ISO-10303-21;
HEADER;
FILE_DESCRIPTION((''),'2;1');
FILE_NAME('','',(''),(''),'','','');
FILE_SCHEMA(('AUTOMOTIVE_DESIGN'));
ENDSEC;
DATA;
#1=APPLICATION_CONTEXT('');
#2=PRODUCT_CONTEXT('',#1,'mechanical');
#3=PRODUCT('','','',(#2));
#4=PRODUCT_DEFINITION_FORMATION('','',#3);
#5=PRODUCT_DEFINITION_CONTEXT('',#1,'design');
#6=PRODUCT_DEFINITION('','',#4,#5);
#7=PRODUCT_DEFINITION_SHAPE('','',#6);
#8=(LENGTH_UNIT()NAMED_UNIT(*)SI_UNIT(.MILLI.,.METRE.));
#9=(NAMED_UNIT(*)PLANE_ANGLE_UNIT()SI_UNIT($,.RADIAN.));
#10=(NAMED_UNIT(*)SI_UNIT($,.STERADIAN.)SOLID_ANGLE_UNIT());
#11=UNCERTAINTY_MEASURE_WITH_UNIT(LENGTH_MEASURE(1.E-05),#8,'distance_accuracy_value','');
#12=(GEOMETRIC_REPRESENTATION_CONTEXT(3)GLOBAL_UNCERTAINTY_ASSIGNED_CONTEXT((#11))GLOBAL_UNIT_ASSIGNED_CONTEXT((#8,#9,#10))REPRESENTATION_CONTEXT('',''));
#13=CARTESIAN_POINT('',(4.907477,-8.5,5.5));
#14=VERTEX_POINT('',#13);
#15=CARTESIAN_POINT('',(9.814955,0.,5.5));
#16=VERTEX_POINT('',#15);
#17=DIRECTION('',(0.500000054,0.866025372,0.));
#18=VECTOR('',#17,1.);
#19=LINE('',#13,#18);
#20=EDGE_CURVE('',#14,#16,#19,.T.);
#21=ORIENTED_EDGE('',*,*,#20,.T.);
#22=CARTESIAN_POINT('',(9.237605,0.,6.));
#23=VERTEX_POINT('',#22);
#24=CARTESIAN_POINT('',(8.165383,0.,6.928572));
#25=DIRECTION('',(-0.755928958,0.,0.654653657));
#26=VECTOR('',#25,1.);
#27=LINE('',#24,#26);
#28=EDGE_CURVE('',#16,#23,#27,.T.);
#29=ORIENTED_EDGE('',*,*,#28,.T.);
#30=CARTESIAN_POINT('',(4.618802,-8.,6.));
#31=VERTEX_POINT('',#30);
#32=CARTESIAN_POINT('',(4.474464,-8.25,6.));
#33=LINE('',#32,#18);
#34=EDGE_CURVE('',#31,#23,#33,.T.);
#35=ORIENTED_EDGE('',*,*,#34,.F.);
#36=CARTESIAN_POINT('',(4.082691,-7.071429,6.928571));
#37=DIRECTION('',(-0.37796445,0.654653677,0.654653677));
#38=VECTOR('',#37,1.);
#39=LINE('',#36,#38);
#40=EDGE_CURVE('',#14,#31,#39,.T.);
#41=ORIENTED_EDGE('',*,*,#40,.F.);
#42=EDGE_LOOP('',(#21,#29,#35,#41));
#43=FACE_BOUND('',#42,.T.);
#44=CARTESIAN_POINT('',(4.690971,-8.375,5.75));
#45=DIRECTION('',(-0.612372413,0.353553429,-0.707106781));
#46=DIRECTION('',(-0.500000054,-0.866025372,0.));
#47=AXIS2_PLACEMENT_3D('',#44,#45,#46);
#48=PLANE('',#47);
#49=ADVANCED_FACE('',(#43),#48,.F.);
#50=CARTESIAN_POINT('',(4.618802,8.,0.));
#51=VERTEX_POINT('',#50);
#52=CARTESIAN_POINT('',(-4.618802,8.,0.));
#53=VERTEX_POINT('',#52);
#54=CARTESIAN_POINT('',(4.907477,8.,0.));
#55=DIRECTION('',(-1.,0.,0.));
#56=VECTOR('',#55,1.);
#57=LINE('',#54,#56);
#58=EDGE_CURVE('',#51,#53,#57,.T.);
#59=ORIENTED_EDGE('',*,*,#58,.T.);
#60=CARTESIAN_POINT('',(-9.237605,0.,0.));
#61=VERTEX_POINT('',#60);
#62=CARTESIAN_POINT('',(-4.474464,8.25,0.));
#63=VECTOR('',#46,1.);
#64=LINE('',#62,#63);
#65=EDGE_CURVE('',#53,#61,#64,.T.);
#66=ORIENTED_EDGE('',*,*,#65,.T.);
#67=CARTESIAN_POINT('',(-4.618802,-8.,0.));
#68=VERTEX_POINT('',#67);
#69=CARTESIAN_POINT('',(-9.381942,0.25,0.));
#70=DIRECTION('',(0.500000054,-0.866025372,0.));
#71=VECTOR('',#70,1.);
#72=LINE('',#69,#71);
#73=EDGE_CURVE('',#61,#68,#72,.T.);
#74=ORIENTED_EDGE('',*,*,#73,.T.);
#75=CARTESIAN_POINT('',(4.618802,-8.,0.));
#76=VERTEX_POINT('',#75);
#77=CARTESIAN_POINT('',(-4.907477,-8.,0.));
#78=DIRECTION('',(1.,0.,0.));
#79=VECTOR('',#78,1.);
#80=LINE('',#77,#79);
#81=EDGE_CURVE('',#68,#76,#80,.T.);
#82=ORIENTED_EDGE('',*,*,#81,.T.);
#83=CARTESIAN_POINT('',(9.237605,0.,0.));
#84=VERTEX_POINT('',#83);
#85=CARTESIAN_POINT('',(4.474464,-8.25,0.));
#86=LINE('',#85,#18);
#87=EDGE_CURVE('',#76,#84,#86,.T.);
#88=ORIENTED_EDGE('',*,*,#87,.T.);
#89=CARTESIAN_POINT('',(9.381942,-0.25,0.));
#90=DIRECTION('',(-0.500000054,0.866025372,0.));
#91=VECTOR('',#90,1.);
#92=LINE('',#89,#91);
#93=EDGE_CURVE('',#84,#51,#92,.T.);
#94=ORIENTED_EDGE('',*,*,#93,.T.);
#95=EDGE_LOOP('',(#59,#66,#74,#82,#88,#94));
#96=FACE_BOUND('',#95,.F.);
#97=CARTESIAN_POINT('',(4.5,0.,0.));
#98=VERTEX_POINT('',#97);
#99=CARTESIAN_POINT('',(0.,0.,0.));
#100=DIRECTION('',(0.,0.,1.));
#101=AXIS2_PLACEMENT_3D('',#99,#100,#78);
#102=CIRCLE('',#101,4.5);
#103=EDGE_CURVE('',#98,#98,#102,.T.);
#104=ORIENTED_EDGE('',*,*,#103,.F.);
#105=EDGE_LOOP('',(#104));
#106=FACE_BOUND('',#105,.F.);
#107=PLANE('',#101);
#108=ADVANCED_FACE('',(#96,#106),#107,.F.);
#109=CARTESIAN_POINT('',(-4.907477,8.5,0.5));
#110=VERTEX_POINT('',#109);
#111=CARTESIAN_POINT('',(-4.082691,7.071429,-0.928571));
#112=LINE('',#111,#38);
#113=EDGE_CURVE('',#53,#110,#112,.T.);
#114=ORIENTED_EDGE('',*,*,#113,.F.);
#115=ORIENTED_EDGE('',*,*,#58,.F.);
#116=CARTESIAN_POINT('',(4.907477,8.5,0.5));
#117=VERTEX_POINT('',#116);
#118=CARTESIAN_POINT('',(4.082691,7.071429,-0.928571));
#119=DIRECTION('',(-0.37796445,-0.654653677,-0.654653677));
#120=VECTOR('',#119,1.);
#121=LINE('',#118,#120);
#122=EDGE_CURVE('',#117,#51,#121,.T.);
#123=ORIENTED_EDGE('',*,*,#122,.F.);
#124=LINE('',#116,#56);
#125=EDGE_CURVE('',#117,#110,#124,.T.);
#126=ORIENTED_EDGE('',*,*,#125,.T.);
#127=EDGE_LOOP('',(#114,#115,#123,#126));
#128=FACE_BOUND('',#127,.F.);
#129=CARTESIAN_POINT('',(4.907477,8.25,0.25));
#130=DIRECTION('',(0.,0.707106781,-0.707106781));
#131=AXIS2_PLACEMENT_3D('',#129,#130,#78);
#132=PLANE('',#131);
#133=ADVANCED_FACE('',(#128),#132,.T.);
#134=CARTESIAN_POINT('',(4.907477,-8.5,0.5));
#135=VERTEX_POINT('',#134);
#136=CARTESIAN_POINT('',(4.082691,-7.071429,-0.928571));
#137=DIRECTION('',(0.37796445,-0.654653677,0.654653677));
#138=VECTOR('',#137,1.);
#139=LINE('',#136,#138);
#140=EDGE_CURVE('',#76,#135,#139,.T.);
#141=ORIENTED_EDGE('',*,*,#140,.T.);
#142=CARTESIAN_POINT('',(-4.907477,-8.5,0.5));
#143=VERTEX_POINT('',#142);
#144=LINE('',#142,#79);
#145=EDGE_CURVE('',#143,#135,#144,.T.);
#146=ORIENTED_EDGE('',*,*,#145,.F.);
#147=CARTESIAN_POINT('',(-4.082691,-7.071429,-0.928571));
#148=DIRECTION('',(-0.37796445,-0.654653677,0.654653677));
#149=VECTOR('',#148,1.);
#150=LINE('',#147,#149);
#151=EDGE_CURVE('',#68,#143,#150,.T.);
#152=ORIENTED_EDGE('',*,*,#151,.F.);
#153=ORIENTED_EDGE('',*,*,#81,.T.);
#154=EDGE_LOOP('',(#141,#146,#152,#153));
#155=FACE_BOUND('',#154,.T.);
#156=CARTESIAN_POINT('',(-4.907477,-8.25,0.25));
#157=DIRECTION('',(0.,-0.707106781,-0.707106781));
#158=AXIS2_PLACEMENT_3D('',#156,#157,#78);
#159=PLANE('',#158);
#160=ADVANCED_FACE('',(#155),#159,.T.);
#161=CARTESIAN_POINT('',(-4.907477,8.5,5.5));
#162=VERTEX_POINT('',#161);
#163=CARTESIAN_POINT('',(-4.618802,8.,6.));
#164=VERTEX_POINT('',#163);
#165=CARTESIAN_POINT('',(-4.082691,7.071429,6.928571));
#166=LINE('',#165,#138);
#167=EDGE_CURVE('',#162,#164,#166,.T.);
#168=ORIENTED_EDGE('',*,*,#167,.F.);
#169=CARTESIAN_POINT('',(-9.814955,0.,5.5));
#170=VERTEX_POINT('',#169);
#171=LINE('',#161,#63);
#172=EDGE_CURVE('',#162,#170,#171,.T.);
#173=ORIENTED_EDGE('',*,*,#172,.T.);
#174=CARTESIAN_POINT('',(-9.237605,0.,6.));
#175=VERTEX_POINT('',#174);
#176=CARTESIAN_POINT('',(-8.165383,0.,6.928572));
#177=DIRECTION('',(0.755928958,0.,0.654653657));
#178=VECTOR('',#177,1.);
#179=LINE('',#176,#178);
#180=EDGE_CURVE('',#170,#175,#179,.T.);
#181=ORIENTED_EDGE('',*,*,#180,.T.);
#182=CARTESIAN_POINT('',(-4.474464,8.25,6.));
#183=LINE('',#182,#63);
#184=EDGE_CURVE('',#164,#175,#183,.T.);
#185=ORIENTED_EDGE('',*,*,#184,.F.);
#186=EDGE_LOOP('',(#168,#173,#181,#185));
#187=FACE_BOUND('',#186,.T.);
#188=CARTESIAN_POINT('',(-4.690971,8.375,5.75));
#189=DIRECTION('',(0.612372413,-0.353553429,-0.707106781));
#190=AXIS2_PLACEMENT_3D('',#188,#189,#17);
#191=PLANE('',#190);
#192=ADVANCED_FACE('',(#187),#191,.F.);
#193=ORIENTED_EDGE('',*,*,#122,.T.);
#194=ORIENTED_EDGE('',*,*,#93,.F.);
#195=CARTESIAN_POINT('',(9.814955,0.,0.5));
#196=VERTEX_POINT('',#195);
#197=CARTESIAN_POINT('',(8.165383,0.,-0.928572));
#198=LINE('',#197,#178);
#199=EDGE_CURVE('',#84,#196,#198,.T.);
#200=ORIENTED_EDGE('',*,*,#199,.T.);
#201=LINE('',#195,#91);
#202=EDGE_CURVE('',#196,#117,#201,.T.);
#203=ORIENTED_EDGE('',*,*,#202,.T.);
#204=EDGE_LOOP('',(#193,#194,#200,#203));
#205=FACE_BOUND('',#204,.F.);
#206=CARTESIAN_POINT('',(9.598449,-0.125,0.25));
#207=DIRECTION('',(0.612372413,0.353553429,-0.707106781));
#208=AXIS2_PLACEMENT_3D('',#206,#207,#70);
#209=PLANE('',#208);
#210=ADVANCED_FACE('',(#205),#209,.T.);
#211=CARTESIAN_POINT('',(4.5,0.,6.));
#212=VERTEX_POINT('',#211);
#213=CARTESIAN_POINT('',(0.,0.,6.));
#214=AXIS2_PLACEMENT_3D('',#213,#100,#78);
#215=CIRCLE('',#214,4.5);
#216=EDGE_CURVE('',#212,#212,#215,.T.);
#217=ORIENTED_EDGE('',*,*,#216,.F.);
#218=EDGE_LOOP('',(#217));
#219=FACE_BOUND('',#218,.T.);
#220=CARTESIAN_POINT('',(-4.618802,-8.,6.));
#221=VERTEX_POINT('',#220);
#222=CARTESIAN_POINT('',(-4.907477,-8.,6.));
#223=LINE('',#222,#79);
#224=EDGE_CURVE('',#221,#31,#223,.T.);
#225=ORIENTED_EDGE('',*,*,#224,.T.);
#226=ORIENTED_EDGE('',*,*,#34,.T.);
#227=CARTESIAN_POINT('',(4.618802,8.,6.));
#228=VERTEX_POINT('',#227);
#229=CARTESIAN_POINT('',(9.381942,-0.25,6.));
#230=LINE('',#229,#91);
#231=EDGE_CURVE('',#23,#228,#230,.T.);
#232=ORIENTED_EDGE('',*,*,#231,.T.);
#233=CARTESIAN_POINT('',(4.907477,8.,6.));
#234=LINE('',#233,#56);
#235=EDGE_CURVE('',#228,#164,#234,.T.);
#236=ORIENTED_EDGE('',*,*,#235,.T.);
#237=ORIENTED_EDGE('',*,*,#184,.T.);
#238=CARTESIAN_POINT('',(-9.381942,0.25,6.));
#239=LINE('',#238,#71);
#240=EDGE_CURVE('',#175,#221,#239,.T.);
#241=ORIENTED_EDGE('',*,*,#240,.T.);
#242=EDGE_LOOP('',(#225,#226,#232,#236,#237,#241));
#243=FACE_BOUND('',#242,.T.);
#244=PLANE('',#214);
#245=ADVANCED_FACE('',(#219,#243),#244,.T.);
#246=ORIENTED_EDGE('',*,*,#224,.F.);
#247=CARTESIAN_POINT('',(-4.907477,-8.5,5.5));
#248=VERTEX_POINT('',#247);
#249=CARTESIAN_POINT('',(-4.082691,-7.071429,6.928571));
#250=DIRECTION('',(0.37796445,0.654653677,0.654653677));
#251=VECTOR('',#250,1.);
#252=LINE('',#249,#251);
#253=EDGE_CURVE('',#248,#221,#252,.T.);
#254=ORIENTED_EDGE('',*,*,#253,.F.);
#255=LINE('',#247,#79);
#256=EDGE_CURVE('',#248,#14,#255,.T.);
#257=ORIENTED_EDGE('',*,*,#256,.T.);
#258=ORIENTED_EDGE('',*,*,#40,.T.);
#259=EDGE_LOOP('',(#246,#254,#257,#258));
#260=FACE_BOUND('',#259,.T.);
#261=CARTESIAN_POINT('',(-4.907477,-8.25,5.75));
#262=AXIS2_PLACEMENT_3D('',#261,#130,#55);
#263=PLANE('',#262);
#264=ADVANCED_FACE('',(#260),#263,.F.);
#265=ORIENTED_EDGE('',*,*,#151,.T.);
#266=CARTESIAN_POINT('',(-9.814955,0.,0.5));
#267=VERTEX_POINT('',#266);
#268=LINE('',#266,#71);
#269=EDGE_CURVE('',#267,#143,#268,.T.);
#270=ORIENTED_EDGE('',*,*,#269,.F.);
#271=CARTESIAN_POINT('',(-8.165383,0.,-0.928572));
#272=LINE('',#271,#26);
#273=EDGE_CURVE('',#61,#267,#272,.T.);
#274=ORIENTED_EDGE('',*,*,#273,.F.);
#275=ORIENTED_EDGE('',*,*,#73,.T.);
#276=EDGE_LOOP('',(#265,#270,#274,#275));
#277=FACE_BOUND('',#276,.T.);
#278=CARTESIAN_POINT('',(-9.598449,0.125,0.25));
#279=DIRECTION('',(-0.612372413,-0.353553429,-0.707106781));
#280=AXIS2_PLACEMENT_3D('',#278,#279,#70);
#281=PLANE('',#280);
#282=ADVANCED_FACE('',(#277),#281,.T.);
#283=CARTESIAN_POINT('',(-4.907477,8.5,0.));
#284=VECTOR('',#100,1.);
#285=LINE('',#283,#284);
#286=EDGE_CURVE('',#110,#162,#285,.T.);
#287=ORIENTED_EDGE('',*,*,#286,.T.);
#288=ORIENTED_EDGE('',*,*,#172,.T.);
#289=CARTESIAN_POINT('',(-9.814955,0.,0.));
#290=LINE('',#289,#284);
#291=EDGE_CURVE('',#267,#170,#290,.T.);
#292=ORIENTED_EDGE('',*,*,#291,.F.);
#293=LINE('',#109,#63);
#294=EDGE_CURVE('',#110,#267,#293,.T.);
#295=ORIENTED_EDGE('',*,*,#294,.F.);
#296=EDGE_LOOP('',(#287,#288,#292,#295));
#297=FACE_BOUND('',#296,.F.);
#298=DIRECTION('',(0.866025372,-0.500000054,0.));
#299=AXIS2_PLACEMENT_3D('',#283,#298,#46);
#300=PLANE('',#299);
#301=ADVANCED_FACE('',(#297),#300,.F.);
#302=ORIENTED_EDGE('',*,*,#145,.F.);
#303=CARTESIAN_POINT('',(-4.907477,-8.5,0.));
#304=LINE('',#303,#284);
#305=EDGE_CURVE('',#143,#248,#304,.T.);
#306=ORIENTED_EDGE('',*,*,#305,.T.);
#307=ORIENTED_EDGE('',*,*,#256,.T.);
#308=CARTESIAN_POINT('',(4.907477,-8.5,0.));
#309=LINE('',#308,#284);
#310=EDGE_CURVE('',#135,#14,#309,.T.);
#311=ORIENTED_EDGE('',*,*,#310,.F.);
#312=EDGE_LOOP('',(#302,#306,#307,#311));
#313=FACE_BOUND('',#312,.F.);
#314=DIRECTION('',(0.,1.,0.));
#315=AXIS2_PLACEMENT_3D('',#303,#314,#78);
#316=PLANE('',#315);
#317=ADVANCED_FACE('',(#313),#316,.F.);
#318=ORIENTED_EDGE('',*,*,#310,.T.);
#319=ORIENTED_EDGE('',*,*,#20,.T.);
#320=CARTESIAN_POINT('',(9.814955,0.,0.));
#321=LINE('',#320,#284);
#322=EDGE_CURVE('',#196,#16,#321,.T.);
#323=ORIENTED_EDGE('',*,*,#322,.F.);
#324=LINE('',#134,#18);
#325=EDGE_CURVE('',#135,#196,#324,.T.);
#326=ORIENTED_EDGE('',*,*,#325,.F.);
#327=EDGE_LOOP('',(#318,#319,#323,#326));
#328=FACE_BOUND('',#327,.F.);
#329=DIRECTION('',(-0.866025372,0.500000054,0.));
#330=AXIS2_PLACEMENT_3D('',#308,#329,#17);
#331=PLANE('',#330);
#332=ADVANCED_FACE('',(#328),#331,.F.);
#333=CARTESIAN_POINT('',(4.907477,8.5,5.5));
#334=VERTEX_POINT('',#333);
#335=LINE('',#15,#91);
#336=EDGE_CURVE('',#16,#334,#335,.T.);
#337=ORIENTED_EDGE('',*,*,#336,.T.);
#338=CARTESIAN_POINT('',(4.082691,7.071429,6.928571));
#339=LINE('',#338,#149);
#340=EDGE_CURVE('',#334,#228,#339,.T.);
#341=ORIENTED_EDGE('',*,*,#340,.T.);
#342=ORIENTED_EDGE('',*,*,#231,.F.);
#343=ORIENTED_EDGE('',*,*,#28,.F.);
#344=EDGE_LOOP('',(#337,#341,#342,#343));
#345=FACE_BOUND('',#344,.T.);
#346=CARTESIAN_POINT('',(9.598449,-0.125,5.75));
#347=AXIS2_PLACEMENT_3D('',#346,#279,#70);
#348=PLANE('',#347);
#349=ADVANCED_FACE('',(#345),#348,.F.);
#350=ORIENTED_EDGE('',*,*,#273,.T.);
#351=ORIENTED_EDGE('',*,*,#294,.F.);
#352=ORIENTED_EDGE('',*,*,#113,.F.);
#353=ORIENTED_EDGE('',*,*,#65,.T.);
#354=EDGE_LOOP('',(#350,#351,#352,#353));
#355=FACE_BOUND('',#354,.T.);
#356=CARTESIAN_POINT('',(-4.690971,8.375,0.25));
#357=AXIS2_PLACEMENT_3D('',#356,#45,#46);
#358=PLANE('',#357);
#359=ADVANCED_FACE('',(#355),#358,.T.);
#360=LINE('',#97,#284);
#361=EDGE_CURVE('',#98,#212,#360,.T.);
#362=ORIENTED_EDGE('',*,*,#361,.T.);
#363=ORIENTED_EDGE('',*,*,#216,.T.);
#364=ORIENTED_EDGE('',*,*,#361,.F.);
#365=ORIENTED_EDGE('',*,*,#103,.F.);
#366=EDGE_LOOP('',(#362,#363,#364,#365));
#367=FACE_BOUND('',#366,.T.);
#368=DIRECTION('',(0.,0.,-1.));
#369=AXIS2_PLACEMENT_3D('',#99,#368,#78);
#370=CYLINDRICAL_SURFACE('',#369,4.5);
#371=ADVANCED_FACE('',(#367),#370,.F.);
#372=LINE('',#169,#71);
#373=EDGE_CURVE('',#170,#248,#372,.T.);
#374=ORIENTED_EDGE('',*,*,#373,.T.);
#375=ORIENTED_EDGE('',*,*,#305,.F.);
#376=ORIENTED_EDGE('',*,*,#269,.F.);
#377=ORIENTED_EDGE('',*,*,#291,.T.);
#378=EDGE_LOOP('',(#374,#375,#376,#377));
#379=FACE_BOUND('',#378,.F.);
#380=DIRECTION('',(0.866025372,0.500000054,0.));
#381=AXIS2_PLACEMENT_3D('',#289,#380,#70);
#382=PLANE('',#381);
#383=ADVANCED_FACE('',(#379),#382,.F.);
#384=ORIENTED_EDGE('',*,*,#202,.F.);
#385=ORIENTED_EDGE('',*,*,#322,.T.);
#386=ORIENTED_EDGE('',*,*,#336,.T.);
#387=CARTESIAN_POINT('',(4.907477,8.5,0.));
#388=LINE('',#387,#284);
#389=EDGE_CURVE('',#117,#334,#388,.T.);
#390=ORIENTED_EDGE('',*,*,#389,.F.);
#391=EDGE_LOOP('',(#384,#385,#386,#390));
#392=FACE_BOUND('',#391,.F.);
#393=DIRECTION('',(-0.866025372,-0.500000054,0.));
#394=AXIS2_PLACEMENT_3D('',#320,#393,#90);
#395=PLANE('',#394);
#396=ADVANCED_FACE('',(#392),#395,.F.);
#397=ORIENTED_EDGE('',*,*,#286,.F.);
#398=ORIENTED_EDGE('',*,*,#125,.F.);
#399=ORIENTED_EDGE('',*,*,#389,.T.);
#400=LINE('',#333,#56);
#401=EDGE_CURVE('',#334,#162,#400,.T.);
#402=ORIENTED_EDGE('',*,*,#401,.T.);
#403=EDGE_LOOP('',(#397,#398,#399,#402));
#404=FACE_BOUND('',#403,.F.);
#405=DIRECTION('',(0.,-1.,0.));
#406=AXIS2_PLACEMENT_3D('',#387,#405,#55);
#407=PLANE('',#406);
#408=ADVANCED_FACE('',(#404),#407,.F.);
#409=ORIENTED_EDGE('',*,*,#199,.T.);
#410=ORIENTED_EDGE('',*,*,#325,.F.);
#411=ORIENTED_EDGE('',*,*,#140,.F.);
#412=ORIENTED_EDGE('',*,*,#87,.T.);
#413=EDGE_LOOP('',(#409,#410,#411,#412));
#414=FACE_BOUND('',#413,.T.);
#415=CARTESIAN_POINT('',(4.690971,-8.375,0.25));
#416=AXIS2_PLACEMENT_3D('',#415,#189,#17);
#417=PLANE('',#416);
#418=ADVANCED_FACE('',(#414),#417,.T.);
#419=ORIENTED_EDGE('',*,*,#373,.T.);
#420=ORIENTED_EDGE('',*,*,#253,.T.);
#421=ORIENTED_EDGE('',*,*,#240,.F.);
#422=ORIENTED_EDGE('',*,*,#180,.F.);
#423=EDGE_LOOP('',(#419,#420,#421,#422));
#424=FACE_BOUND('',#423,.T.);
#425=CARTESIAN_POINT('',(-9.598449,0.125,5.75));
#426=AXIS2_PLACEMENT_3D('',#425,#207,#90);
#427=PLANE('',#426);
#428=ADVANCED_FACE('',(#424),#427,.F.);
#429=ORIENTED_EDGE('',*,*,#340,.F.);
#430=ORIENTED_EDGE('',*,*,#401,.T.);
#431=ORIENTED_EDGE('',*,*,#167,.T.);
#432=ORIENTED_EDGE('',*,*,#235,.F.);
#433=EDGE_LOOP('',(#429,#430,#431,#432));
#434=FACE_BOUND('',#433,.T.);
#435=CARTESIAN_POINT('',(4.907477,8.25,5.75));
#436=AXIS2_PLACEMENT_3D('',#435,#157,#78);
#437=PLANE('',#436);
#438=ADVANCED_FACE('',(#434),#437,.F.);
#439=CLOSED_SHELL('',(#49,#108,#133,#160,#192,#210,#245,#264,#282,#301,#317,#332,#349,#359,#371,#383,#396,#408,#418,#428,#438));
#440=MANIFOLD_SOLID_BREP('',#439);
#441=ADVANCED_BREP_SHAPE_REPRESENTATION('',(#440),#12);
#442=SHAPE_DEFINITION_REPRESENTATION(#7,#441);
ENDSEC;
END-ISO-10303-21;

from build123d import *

# Parameters (mm, degrees)
SKETCH_R        = 4.5
PAD_DEPTH       = 6
CHAMFER_SIZE    = 0.5
CHAMFER001_SIZE = 0.5


with BuildPart() as part:
    # Sketch → Pad (new body)
    with BuildSketch(Plane.XY):
        Polygon((4.907477, 8.5), (-4.907477, 8.5), (-9.814955, 0), (-4.907477, -8.5), (4.907477, -8.5), (9.814955, 0), align=None)
        Circle(SKETCH_R, mode=Mode.SUBTRACT)
    extrude(amount=PAD_DEPTH)

    # Chamfer
    chamfer_edges = [part.edges().sort_by_distance(p)[0] for p in [
        (0, -8.5, 6),
        (-7.361216, -4.25, 6),
        (-7.361216, 4.25, 6),
        (0, 8.5, 6),
        (7.361216, 4.25, 6),
        (7.361216, -4.25, 6),
    ]]
    chamfer(chamfer_edges, length=CHAMFER_SIZE)

    # Chamfer001
    chamfer001_edges = [part.edges().sort_by_distance(p)[0] for p in [
        (7.361216, -4.25, 0),
        (0, -8.5, 0),
        (-7.361216, -4.25, 0),
        (-7.361216, 4.25, 0),
        (0, 8.5, 0),
        (7.361216, 4.25, 0),
    ]]
    chamfer(chamfer001_edges, length=CHAMFER001_SIZE)


solid = part.part
